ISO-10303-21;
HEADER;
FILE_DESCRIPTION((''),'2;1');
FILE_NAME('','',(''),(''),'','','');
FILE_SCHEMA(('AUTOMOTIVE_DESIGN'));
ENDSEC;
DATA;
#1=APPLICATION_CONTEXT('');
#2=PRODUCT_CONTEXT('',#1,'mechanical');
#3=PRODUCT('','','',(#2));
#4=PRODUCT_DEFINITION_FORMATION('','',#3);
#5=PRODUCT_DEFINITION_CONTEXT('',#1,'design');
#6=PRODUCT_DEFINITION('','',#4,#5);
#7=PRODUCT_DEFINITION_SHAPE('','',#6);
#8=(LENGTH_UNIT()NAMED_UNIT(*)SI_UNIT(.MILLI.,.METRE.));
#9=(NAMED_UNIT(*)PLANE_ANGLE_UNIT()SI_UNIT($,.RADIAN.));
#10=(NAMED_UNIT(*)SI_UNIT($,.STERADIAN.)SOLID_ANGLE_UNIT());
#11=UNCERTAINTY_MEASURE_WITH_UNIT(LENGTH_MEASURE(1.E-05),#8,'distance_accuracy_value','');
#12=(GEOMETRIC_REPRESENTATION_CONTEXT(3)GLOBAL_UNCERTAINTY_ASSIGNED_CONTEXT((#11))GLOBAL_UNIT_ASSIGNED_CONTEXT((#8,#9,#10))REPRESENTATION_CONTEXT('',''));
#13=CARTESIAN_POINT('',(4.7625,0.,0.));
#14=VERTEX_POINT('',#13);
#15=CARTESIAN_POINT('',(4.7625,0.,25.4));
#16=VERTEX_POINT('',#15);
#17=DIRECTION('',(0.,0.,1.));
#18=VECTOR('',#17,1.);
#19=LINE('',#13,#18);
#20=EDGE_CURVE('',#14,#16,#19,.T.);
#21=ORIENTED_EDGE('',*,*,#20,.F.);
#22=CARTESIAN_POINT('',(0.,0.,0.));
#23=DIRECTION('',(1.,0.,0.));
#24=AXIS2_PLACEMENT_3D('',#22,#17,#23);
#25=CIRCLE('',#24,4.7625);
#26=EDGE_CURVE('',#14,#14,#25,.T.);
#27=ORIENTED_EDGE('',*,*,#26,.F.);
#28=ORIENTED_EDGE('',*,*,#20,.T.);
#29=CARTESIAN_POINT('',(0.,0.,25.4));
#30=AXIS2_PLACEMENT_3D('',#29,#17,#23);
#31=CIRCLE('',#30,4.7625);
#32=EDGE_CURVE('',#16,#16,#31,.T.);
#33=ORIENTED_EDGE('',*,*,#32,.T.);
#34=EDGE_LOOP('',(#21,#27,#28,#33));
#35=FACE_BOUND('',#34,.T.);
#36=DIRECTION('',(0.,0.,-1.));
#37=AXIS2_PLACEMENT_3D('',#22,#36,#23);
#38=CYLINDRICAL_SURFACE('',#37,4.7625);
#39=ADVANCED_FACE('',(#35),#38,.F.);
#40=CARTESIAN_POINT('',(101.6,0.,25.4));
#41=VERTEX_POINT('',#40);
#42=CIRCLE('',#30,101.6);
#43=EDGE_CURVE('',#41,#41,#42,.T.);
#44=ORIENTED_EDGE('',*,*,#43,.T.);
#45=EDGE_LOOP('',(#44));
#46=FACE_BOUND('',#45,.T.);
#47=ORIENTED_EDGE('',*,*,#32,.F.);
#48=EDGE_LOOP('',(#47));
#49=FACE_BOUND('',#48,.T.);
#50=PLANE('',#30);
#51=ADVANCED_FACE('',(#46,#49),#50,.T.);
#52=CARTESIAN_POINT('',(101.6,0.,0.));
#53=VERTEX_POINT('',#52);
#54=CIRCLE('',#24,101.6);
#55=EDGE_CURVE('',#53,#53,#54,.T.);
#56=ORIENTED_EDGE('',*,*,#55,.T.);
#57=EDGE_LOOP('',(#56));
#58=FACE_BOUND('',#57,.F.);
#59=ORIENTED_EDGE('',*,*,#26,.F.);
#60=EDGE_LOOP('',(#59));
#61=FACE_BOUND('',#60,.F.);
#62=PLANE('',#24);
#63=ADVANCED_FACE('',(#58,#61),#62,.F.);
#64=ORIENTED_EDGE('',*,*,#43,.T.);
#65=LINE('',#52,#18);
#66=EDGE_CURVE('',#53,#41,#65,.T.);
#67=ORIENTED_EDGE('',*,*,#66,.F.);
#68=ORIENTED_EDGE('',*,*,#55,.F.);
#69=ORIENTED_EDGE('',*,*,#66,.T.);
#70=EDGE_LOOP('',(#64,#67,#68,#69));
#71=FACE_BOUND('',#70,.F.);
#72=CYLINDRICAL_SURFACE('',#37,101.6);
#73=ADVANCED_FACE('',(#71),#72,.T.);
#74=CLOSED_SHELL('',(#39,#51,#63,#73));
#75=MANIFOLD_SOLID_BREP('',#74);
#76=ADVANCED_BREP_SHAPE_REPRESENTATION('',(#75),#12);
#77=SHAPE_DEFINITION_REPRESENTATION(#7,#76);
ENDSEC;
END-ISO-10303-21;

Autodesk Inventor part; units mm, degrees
ref_plane "YZ Plane" through (0, 0, 0) normal (1, 0, 0) x (0, 1, 0)
ref_plane "XZ Plane" through (0, 0, 0) normal (0, 1, 0) x (-1, 0, 0)
ref_plane "XY Plane" through (0, 0, 0) normal (0, 0, 1) x (1, 0, 0)
sketch "Sketch1" plane through (0, 0, 0) normal (0, 0, 1) x (1, 0, 0)
  circle A0 centre (0, 0) radius 101.6
  circle A1 centre (0, 0) radius 4.7625
  dimension "d0" = 203.2
  dimension "d1" = 9.525
extrude "Extrusion1" add sketch "Sketch1" along normal blind 25.4
properties part number "Wheel"
